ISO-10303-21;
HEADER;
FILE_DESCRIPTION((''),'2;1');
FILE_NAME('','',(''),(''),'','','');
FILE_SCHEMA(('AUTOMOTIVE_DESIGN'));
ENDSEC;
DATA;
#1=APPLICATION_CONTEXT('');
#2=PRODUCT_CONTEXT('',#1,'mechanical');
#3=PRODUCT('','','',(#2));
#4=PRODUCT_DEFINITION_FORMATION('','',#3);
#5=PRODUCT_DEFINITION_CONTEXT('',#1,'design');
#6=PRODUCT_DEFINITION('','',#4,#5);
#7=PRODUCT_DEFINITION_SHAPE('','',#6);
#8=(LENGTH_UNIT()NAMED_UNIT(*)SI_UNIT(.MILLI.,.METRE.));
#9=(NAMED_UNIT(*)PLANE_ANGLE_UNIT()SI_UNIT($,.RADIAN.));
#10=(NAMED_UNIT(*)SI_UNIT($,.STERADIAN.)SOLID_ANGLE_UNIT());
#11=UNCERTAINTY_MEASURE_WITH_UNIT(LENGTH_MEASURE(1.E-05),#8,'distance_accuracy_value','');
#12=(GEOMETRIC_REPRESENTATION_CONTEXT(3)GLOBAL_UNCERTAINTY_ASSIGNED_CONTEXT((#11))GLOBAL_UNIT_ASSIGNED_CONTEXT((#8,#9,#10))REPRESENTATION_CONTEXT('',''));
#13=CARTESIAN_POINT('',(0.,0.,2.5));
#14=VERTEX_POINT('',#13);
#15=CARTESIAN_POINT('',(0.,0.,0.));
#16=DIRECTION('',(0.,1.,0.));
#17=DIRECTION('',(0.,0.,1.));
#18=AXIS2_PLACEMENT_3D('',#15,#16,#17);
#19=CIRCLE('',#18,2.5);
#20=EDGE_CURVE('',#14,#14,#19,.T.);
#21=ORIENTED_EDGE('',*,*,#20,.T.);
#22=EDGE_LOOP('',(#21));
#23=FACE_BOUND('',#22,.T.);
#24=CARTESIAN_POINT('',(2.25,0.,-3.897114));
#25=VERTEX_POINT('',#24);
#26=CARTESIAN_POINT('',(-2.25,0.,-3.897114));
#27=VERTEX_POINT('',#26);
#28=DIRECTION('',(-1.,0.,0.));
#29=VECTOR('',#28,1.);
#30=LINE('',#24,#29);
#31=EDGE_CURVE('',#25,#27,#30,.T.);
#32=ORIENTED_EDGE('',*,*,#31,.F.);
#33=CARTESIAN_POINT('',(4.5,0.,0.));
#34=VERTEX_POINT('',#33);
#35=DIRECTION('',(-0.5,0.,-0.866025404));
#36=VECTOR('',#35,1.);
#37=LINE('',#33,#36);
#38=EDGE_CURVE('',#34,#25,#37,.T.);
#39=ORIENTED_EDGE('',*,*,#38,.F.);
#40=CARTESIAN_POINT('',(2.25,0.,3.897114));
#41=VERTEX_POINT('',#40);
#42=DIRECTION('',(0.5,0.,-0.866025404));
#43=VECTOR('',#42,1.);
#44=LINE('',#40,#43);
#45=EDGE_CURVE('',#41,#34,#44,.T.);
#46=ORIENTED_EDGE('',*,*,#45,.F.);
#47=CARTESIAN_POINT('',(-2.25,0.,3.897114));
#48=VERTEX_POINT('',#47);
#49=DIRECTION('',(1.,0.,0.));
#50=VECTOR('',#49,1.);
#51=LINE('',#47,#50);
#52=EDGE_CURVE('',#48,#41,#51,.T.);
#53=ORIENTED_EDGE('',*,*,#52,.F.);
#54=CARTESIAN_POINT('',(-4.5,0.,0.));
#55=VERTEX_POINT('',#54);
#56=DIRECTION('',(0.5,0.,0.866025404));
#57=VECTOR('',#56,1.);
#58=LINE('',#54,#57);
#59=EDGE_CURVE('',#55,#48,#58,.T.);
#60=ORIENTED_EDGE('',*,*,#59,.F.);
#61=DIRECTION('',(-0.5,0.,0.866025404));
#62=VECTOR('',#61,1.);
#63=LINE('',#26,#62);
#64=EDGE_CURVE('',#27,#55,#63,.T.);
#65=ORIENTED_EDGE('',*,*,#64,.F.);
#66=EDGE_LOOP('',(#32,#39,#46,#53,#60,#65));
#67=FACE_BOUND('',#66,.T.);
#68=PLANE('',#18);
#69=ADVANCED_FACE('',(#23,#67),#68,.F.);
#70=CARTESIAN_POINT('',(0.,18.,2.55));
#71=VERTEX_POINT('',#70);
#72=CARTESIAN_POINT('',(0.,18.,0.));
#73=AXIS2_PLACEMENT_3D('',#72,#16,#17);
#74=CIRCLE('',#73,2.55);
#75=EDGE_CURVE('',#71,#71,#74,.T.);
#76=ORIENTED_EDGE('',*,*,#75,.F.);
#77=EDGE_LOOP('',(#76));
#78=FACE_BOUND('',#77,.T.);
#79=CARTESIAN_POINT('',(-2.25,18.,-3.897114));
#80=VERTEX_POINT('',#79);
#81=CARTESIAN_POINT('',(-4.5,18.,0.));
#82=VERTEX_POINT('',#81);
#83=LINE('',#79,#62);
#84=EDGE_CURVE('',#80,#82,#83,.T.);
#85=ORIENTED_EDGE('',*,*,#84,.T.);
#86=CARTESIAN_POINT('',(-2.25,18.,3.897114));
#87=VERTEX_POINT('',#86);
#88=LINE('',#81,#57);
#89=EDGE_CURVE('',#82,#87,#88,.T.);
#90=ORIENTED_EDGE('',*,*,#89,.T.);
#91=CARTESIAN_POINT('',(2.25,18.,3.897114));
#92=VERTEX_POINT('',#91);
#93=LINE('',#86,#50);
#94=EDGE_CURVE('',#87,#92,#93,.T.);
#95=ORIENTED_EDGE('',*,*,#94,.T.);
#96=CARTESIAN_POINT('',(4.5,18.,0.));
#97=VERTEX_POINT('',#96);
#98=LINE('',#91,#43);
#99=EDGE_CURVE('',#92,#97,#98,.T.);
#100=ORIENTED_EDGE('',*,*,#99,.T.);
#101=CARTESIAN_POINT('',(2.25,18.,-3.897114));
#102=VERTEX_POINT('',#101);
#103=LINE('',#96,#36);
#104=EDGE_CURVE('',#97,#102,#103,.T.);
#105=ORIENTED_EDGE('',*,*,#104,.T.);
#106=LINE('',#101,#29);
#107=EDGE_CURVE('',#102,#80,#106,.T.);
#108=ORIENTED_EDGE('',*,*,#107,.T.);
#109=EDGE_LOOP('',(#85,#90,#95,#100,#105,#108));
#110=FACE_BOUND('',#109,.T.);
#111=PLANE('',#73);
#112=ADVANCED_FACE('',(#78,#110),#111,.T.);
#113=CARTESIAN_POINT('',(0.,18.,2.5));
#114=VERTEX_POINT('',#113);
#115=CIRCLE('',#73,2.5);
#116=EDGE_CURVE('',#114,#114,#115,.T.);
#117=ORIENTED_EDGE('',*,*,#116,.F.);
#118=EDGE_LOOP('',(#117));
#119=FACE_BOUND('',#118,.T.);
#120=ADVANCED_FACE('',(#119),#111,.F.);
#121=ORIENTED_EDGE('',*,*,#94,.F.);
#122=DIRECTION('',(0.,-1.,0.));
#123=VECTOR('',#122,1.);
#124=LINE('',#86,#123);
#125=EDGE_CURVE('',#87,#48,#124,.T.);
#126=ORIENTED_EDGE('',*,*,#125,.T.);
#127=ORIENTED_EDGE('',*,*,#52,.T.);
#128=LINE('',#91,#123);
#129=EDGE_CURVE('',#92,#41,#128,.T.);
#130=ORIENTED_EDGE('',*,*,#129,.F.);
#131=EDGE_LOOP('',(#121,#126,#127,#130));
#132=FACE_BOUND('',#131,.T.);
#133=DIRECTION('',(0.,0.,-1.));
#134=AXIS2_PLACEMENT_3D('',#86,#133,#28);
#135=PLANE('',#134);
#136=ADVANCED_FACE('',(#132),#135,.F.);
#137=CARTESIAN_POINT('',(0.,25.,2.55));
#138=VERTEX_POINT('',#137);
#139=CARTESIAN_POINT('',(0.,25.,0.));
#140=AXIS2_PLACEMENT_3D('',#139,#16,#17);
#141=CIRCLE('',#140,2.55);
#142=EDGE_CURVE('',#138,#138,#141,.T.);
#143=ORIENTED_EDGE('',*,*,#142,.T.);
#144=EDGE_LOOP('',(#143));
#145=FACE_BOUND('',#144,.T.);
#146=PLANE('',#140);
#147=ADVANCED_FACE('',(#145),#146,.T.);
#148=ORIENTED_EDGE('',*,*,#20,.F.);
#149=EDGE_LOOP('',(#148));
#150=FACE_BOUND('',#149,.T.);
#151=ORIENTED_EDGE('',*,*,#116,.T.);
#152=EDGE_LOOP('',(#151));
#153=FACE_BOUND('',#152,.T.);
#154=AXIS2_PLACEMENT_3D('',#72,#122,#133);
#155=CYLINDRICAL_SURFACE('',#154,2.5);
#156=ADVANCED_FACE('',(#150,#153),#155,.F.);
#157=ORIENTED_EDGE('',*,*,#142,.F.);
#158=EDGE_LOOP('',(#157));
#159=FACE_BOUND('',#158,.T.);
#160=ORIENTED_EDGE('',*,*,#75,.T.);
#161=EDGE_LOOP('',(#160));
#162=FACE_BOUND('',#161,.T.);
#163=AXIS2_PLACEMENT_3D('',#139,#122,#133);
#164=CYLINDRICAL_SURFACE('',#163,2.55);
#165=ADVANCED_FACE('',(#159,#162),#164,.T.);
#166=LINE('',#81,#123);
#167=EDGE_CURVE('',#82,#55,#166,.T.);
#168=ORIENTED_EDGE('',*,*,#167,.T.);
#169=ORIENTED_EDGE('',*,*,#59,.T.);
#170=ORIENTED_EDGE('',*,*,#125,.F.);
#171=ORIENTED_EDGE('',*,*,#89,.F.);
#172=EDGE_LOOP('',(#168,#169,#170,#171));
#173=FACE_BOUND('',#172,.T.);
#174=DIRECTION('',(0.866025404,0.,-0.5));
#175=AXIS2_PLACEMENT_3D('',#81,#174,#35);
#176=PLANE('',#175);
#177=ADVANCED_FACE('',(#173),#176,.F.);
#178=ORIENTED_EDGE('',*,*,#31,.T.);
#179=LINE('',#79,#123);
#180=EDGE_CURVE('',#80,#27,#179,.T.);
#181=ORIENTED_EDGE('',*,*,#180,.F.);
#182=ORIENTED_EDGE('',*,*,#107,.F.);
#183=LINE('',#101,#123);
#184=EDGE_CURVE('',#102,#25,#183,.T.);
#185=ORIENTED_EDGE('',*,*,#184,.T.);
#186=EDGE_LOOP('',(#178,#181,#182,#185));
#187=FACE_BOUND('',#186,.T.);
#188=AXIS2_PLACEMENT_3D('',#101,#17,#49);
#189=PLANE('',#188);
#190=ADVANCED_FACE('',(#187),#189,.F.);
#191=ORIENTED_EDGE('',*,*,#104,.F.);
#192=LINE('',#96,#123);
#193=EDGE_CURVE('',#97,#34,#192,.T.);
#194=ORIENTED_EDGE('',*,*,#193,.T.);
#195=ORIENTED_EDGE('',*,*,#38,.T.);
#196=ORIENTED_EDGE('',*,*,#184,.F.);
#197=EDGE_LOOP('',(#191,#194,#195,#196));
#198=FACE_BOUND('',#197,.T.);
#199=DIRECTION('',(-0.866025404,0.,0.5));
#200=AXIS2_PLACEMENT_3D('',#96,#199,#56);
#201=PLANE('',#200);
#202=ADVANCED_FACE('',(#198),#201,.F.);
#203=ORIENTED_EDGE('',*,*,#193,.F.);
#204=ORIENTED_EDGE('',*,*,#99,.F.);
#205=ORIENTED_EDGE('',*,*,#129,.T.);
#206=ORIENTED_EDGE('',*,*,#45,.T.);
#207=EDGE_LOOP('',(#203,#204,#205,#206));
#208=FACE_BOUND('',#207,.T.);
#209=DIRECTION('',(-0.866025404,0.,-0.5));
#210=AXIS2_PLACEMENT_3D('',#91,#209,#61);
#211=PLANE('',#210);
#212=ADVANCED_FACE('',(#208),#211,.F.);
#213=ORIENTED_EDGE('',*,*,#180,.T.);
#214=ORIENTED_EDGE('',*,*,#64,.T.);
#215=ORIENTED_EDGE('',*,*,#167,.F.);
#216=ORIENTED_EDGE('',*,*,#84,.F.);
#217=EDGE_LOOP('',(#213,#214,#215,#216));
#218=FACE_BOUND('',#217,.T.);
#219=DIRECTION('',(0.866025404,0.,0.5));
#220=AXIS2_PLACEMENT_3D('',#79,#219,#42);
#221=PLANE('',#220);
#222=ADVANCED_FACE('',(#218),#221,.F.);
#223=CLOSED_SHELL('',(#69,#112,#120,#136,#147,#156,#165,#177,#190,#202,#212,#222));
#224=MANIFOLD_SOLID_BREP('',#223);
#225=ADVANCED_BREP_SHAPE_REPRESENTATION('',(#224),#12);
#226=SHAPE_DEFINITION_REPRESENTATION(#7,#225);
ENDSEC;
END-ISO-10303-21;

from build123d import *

# Parameters (mm, degrees)
SKETCH_1_R      = 2.5
EXTRUDE_1_DEPTH = 18
SKETCH_2_R      = 2.55
EXTRUDE_2_DEPTH = 7


with BuildPart() as part:
    # 草图1 → 凸台-拉伸1 (new body)
    with BuildSketch(Plane(origin=(0, 0, 0), x_dir=(1, 0, 0), z_dir=(0, 1, 0))):
        Polygon((4.5, 0), (2.25, 3.897114317), (-2.25, 3.897114317), (-4.5, 0), (-2.25, -3.897114317), (2.25, -3.897114317), align=None)
        Circle(SKETCH_1_R, mode=Mode.SUBTRACT)
    extrude(amount=EXTRUDE_1_DEPTH)

    # 草图2 → 凸台-拉伸2 (add)
    with BuildSketch(Plane(origin=(0, 18, 0), x_dir=(1, 0, 0), z_dir=(0, 1, 0))):
        Circle(SKETCH_2_R)
    extrude(amount=EXTRUDE_2_DEPTH)


solid = part.part
